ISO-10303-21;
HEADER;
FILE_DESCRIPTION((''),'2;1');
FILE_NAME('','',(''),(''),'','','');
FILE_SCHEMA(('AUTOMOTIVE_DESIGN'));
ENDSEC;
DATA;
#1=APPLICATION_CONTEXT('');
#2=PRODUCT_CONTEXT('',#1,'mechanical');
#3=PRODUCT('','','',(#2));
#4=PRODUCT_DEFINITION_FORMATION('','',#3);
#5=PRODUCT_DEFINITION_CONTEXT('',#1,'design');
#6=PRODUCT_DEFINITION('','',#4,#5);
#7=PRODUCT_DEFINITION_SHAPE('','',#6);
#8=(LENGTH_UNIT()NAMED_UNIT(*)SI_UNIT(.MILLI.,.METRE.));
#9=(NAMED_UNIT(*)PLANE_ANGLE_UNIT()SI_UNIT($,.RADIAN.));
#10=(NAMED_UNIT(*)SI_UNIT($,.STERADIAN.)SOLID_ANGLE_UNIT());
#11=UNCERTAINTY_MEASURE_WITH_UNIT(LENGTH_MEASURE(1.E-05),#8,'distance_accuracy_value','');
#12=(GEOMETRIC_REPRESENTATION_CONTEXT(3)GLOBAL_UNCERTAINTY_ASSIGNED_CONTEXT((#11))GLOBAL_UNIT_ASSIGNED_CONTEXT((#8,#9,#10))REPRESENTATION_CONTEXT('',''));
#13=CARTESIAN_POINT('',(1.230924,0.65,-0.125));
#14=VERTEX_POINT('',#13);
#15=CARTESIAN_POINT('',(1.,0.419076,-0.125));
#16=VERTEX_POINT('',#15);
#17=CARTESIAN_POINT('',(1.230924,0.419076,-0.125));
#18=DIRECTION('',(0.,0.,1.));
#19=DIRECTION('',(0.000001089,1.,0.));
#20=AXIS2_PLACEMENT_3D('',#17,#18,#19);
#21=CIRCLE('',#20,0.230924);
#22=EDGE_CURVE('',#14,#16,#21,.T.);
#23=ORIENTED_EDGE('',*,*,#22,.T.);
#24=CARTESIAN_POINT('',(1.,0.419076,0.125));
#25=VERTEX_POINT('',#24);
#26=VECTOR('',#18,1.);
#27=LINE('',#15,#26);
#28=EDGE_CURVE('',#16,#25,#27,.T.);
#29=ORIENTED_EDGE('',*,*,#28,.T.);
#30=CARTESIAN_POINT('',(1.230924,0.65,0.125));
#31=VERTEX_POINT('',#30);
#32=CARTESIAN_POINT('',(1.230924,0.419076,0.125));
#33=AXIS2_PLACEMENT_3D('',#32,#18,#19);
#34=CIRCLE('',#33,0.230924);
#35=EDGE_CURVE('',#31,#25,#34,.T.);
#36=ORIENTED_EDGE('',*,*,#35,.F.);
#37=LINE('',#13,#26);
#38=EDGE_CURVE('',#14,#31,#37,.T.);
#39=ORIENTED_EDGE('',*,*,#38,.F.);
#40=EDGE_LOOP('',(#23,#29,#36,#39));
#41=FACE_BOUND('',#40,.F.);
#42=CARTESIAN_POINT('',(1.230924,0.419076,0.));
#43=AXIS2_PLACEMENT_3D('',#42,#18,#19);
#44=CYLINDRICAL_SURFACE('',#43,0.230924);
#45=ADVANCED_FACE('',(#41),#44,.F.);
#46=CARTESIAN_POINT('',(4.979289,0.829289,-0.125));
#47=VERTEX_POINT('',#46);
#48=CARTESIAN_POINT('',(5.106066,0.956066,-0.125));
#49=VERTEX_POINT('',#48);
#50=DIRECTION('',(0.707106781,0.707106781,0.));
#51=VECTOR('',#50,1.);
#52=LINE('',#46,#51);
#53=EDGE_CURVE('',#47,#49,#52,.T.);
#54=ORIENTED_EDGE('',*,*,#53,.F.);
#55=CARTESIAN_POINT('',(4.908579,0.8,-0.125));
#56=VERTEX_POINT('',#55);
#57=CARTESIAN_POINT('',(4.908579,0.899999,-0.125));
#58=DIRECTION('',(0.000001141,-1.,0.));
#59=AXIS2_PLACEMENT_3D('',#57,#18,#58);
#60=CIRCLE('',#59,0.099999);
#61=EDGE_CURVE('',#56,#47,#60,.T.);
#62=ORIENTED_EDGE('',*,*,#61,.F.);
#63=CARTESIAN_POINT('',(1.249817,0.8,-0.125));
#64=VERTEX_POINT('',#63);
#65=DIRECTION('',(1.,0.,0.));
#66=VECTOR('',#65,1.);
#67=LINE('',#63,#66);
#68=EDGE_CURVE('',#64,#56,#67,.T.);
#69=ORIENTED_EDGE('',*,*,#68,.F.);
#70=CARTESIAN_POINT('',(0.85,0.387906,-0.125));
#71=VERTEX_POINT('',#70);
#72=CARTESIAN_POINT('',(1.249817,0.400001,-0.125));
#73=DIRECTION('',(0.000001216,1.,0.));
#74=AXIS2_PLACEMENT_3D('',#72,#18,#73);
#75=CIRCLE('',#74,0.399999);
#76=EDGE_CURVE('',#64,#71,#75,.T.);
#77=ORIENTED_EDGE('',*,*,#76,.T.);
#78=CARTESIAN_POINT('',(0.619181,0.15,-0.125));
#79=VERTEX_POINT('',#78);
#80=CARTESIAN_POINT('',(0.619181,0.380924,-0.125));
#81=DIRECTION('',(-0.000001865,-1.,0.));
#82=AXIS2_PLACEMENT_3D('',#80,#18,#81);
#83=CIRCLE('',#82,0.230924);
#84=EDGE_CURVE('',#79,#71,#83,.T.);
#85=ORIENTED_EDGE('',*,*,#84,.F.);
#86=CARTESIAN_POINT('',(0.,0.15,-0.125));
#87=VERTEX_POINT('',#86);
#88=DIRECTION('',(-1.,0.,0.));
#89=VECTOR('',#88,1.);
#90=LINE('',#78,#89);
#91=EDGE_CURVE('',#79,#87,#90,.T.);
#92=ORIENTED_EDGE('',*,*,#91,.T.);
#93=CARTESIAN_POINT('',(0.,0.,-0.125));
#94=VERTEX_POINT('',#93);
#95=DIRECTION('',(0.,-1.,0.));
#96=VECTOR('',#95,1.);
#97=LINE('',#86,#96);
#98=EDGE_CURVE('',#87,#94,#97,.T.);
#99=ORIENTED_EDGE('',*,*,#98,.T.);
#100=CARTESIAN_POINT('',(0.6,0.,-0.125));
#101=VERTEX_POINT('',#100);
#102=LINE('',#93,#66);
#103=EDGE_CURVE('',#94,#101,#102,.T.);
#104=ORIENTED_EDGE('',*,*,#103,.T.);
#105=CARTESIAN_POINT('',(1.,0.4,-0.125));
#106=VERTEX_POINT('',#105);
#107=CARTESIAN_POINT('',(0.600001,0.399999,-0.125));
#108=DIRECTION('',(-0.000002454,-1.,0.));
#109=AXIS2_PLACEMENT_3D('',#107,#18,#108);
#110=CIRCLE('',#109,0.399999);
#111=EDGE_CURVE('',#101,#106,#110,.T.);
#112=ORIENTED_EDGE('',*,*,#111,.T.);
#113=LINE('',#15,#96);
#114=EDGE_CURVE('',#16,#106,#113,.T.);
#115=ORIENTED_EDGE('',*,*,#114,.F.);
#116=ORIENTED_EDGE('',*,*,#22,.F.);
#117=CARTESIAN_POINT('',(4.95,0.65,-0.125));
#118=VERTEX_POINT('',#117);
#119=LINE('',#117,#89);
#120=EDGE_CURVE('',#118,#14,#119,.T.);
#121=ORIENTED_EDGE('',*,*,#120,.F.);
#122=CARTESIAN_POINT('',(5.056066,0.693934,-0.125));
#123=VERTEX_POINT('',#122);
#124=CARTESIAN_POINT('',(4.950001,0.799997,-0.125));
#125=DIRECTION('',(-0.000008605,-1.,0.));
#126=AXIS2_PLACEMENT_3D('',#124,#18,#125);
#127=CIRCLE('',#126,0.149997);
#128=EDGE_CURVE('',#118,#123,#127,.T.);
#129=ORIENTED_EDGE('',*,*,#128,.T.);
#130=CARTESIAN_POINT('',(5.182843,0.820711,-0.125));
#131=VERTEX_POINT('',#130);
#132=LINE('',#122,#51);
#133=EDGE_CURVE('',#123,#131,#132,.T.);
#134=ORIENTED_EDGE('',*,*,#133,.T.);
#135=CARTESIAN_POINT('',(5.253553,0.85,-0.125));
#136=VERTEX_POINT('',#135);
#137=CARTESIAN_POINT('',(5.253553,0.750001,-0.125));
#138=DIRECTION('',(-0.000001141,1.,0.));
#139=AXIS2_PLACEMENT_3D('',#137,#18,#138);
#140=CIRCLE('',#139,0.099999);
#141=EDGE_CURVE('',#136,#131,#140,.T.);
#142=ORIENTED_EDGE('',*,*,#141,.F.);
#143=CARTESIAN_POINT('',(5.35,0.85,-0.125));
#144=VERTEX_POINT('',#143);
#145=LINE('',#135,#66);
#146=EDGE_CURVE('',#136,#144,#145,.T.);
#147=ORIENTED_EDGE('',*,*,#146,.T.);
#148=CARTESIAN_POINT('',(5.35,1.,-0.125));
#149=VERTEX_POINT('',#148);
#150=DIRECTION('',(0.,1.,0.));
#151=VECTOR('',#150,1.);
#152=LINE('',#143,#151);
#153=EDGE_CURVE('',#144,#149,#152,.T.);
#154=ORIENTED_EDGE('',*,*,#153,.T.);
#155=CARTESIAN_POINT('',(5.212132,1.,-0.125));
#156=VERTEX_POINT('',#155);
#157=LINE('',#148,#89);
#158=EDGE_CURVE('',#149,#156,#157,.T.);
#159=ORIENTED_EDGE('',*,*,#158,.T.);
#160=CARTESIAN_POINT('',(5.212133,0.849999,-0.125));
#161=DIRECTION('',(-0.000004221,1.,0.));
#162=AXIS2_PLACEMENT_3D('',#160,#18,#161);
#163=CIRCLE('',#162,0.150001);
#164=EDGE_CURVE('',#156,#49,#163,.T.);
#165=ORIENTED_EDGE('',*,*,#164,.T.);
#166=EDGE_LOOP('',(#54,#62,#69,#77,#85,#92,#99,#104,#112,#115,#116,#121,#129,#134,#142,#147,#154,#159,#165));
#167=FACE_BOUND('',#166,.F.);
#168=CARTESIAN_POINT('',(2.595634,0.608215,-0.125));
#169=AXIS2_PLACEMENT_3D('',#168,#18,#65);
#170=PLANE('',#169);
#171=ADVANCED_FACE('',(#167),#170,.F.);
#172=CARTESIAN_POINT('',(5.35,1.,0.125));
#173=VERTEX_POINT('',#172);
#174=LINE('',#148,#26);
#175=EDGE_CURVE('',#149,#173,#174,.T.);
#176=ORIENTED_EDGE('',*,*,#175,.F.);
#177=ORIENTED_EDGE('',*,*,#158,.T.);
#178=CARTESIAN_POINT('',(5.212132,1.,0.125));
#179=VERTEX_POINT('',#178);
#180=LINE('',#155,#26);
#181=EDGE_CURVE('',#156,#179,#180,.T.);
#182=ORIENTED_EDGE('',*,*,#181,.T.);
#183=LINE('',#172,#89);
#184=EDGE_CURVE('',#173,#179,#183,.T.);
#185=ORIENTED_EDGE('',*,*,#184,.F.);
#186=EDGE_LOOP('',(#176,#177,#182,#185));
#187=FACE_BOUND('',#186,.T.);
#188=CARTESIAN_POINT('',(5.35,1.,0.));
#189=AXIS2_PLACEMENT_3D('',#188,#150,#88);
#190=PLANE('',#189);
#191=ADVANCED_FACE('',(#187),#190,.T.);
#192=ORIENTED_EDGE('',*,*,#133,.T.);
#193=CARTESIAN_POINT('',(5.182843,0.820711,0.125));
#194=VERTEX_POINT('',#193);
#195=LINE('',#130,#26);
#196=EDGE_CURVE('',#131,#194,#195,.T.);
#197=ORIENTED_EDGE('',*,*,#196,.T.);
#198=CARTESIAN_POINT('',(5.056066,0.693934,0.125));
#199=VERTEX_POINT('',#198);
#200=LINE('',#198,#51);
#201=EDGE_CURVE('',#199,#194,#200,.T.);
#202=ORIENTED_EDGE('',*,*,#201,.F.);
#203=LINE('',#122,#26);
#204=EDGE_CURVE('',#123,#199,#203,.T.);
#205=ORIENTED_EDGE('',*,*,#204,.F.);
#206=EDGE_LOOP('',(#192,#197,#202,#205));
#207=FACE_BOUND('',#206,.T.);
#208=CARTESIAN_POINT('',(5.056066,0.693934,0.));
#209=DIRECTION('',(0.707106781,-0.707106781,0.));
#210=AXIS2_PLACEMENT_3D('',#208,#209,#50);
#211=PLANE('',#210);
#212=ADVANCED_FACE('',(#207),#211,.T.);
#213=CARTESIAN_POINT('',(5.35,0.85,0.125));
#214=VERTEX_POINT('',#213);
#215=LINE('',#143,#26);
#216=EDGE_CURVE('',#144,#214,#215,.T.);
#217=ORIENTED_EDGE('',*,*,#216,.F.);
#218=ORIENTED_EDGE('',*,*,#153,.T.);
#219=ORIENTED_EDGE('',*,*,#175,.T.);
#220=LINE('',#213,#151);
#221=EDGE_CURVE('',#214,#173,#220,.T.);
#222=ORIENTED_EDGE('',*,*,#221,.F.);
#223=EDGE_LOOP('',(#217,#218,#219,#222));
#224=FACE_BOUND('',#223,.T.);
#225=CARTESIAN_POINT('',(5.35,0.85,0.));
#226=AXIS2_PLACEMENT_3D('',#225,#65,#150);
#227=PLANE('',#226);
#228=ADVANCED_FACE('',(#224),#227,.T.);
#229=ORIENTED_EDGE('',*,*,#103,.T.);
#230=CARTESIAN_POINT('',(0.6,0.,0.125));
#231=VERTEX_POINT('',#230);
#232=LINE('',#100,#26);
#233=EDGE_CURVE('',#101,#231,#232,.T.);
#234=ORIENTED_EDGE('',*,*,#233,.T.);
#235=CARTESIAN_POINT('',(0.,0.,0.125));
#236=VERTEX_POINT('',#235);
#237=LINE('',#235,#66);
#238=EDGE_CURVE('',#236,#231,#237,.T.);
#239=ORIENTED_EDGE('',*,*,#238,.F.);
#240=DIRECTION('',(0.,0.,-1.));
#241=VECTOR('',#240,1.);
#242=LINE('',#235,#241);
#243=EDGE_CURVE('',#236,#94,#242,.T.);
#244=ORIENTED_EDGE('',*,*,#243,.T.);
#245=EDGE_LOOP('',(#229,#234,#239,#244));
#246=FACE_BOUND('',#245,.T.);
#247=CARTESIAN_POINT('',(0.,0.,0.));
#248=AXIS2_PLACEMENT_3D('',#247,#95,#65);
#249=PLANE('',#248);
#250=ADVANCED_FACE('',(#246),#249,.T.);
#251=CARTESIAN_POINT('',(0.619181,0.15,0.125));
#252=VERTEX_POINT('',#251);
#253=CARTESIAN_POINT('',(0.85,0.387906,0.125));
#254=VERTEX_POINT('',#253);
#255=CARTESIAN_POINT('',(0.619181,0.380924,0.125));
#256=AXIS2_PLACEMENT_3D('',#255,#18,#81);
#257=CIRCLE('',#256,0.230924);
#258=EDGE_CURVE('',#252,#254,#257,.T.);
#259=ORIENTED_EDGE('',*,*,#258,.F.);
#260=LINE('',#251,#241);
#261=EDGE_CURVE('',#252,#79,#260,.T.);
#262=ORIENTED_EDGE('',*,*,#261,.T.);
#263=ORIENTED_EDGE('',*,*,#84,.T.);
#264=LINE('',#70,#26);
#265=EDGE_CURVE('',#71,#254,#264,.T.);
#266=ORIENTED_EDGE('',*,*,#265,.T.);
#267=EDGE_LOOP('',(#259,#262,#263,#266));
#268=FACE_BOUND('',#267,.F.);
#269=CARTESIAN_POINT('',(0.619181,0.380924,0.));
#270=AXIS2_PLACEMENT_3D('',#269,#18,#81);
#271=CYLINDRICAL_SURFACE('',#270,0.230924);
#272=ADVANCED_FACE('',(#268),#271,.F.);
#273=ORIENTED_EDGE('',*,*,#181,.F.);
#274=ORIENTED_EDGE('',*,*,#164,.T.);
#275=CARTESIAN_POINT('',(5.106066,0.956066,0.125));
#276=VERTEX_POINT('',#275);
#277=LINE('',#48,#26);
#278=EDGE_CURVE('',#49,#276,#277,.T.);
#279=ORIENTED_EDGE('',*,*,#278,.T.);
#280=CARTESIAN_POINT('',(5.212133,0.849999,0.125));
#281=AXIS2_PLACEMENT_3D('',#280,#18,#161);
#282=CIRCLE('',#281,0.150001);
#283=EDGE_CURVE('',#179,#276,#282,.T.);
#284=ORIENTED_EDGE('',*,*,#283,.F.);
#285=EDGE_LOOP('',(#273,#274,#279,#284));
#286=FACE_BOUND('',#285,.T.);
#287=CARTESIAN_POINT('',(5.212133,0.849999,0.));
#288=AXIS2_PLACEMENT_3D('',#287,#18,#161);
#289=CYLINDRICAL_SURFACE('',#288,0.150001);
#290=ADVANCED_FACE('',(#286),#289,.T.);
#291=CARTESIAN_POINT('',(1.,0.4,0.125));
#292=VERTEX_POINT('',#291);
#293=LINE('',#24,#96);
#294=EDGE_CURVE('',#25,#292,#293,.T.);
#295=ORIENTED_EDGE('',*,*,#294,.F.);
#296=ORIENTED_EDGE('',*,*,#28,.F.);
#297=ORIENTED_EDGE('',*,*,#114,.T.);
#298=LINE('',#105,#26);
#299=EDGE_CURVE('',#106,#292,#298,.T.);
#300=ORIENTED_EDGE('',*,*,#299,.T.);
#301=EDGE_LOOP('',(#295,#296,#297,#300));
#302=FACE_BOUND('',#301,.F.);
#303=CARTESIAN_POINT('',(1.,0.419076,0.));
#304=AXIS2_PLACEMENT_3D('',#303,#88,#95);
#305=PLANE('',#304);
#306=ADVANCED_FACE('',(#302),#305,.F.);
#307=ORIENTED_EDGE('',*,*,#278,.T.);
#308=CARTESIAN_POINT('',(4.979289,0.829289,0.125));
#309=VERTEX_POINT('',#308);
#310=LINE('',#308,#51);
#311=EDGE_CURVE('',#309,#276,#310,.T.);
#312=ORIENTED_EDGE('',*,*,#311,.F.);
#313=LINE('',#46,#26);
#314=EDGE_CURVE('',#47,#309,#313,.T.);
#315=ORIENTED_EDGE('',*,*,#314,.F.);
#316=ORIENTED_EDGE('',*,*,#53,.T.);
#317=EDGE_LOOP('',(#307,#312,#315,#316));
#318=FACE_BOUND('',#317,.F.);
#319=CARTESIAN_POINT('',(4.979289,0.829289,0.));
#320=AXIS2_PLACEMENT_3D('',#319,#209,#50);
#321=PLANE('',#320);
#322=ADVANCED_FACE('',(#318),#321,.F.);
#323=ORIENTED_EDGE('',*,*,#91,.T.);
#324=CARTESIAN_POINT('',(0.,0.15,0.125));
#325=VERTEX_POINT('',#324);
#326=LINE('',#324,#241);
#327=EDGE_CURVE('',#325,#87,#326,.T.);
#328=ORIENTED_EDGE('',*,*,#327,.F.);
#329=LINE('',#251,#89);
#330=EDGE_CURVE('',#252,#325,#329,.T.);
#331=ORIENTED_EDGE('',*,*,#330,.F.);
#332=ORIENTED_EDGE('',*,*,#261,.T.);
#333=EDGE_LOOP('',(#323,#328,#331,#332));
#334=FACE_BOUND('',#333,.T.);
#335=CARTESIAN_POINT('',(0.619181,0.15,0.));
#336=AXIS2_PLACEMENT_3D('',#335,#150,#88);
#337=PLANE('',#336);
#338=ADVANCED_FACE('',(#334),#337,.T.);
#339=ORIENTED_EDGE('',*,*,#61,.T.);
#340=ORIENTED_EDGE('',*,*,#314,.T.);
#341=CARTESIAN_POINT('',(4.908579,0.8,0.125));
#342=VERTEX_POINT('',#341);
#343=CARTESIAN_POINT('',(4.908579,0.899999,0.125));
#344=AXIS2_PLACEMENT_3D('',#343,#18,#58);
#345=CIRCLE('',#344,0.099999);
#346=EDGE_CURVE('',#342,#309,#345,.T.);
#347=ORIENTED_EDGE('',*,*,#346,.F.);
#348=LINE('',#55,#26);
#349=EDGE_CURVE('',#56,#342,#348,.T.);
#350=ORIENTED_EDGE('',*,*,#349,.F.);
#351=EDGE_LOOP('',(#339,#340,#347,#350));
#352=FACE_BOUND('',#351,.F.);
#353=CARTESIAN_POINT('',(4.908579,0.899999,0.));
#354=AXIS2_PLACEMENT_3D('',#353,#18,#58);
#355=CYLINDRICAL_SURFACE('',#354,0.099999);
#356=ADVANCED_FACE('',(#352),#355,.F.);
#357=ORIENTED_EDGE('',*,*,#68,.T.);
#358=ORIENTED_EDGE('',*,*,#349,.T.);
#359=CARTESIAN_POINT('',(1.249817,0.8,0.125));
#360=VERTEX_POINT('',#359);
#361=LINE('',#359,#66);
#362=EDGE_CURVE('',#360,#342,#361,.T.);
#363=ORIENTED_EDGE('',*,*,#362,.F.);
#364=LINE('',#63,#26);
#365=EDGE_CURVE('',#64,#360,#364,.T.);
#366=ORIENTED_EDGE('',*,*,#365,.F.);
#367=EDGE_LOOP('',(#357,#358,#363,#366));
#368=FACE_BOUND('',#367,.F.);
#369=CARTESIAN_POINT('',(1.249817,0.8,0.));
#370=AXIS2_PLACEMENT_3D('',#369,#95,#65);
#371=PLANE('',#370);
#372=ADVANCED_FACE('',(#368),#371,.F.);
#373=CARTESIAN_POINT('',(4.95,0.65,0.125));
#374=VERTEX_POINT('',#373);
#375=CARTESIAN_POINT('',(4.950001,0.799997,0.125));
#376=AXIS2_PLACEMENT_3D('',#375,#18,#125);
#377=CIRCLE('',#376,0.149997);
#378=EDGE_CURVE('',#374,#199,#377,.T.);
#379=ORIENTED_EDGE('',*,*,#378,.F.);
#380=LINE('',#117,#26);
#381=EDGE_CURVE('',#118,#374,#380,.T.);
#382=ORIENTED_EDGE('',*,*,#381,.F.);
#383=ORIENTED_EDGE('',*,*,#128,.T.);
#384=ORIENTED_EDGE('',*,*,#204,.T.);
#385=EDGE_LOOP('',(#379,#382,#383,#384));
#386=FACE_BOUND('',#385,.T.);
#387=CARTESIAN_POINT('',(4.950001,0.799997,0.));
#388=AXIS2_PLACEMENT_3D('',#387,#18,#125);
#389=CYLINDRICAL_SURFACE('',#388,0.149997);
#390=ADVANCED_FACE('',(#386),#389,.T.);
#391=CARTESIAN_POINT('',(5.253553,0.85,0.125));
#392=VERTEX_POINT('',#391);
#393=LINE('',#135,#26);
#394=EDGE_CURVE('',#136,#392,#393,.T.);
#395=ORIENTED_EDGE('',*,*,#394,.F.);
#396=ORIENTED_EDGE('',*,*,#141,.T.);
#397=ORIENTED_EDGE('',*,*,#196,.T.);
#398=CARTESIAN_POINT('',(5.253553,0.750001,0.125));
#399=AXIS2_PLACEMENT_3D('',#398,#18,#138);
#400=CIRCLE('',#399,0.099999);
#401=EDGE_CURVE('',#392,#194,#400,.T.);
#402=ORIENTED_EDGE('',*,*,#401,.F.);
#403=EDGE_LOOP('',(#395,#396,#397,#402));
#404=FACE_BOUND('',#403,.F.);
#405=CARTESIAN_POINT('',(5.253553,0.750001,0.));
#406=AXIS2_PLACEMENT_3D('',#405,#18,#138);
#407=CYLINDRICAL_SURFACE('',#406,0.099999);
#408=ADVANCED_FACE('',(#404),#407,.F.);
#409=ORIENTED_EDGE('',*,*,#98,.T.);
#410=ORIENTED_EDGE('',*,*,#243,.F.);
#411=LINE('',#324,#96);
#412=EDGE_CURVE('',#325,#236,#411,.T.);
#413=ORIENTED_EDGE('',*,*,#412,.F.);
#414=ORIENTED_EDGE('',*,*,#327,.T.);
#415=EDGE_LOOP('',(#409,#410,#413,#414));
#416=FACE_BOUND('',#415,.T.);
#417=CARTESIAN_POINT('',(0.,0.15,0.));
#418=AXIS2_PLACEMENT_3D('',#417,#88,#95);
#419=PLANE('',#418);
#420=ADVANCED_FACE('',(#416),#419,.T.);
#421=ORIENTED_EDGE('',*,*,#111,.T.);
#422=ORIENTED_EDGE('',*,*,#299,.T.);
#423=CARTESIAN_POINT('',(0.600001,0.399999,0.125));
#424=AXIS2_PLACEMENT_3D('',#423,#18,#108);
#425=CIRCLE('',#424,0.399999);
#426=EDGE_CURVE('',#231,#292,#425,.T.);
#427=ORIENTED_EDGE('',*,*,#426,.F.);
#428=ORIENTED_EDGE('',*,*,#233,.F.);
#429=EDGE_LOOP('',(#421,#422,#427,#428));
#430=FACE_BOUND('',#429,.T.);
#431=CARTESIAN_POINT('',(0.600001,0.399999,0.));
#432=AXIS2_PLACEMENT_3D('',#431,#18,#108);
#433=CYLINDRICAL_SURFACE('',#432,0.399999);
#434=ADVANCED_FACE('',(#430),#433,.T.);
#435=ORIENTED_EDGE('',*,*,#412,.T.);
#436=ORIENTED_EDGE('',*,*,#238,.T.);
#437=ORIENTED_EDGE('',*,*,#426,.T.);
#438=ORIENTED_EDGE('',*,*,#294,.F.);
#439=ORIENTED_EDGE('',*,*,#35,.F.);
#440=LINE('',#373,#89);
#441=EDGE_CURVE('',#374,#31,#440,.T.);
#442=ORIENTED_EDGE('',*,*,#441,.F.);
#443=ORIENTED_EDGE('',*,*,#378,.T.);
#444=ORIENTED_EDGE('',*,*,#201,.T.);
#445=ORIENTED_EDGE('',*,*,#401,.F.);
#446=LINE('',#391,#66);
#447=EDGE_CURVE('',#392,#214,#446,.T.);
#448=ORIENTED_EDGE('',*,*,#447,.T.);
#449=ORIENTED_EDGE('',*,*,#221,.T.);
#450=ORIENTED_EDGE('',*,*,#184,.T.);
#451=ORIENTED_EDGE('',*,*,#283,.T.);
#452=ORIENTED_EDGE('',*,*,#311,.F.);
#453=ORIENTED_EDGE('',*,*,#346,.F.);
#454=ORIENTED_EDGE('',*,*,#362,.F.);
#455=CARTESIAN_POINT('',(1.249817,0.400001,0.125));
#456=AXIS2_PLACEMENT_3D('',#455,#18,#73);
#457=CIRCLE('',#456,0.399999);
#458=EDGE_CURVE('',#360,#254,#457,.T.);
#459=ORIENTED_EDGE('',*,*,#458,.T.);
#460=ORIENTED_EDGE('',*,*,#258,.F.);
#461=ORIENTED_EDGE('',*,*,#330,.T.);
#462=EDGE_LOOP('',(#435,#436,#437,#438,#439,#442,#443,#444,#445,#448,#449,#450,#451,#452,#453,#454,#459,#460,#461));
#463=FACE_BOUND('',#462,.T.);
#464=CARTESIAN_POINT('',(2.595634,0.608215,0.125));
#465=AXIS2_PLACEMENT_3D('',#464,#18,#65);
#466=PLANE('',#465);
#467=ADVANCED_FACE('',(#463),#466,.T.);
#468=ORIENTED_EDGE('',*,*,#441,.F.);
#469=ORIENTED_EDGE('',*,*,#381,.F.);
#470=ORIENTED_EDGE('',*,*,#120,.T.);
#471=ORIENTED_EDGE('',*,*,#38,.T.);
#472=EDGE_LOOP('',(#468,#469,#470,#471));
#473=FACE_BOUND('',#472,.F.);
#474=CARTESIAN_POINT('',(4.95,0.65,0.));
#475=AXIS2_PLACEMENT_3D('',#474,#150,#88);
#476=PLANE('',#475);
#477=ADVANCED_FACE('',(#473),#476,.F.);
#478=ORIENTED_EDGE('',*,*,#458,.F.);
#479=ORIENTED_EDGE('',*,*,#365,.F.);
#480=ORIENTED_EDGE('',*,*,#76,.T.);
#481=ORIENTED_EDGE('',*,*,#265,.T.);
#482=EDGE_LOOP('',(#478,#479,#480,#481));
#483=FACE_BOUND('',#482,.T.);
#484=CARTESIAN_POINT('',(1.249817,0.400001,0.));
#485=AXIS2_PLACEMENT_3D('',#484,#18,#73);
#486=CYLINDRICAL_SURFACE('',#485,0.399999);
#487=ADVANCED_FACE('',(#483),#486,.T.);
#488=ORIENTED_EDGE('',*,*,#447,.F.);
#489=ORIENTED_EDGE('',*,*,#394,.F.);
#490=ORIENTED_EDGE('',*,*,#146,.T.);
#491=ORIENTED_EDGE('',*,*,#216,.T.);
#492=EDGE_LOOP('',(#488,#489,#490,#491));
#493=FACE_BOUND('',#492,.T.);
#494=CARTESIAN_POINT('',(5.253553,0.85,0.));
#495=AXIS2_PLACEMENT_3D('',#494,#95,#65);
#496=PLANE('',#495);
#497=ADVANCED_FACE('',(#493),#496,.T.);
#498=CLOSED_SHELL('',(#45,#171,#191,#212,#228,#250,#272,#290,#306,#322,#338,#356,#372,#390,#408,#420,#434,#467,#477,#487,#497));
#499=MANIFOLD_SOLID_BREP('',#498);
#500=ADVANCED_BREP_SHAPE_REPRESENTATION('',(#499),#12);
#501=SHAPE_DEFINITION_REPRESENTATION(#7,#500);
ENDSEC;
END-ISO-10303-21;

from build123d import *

# Parameters (mm, degrees)
PAD_DEPTH = 0.125


with BuildPart() as part:
    # Sketch → Pad (new body, symmetric)
    with BuildSketch(Plane.XY):
        with BuildLine():
            Line((0, 0), (0.6, 0))
            ThreePointArc((0.6, 0), (0.882843, 0.117157), (1, 0.4))
            Line((1, 0.419076), (1, 0.4))
            ThreePointArc((1.230924, 0.65), (1.067636, 0.582364), (1, 0.419076))
            Line((4.95, 0.65), (1.230924, 0.65))
            ThreePointArc((4.95, 0.65), (5.007403, 0.661418), (5.056066, 0.693934))
            Line((5.056066, 0.693934), (5.182843, 0.820711))
            ThreePointArc((5.253553, 0.85), (5.215285, 0.842388), (5.182843, 0.820711))
            Line((5.253553, 0.85), (5.35, 0.85))
            Line((5.35, 0.85), (5.35, 1))
            Line((5.35, 1), (5.212132, 1))
            ThreePointArc((5.212132, 1), (5.15473, 0.988582), (5.106066, 0.956066))
            Line((4.979289, 0.829289), (5.106066, 0.956066))
            ThreePointArc((4.908579, 0.8), (4.946847, 0.807612), (4.979289, 0.829289))
            Line((1.249817, 0.8), (4.908579, 0.8))
            ThreePointArc((1.249817, 0.8), (0.96273, 0.678534), (0.85, 0.387906))
            ThreePointArc((0.619181, 0.15), (0.78492, 0.220124), (0.85, 0.387906))
            Line((0.619181, 0.15), (0, 0.15))
            Line((0, 0.15), (0, 0))
        make_face()
    extrude(amount=PAD_DEPTH, both=True)


solid = part.part
